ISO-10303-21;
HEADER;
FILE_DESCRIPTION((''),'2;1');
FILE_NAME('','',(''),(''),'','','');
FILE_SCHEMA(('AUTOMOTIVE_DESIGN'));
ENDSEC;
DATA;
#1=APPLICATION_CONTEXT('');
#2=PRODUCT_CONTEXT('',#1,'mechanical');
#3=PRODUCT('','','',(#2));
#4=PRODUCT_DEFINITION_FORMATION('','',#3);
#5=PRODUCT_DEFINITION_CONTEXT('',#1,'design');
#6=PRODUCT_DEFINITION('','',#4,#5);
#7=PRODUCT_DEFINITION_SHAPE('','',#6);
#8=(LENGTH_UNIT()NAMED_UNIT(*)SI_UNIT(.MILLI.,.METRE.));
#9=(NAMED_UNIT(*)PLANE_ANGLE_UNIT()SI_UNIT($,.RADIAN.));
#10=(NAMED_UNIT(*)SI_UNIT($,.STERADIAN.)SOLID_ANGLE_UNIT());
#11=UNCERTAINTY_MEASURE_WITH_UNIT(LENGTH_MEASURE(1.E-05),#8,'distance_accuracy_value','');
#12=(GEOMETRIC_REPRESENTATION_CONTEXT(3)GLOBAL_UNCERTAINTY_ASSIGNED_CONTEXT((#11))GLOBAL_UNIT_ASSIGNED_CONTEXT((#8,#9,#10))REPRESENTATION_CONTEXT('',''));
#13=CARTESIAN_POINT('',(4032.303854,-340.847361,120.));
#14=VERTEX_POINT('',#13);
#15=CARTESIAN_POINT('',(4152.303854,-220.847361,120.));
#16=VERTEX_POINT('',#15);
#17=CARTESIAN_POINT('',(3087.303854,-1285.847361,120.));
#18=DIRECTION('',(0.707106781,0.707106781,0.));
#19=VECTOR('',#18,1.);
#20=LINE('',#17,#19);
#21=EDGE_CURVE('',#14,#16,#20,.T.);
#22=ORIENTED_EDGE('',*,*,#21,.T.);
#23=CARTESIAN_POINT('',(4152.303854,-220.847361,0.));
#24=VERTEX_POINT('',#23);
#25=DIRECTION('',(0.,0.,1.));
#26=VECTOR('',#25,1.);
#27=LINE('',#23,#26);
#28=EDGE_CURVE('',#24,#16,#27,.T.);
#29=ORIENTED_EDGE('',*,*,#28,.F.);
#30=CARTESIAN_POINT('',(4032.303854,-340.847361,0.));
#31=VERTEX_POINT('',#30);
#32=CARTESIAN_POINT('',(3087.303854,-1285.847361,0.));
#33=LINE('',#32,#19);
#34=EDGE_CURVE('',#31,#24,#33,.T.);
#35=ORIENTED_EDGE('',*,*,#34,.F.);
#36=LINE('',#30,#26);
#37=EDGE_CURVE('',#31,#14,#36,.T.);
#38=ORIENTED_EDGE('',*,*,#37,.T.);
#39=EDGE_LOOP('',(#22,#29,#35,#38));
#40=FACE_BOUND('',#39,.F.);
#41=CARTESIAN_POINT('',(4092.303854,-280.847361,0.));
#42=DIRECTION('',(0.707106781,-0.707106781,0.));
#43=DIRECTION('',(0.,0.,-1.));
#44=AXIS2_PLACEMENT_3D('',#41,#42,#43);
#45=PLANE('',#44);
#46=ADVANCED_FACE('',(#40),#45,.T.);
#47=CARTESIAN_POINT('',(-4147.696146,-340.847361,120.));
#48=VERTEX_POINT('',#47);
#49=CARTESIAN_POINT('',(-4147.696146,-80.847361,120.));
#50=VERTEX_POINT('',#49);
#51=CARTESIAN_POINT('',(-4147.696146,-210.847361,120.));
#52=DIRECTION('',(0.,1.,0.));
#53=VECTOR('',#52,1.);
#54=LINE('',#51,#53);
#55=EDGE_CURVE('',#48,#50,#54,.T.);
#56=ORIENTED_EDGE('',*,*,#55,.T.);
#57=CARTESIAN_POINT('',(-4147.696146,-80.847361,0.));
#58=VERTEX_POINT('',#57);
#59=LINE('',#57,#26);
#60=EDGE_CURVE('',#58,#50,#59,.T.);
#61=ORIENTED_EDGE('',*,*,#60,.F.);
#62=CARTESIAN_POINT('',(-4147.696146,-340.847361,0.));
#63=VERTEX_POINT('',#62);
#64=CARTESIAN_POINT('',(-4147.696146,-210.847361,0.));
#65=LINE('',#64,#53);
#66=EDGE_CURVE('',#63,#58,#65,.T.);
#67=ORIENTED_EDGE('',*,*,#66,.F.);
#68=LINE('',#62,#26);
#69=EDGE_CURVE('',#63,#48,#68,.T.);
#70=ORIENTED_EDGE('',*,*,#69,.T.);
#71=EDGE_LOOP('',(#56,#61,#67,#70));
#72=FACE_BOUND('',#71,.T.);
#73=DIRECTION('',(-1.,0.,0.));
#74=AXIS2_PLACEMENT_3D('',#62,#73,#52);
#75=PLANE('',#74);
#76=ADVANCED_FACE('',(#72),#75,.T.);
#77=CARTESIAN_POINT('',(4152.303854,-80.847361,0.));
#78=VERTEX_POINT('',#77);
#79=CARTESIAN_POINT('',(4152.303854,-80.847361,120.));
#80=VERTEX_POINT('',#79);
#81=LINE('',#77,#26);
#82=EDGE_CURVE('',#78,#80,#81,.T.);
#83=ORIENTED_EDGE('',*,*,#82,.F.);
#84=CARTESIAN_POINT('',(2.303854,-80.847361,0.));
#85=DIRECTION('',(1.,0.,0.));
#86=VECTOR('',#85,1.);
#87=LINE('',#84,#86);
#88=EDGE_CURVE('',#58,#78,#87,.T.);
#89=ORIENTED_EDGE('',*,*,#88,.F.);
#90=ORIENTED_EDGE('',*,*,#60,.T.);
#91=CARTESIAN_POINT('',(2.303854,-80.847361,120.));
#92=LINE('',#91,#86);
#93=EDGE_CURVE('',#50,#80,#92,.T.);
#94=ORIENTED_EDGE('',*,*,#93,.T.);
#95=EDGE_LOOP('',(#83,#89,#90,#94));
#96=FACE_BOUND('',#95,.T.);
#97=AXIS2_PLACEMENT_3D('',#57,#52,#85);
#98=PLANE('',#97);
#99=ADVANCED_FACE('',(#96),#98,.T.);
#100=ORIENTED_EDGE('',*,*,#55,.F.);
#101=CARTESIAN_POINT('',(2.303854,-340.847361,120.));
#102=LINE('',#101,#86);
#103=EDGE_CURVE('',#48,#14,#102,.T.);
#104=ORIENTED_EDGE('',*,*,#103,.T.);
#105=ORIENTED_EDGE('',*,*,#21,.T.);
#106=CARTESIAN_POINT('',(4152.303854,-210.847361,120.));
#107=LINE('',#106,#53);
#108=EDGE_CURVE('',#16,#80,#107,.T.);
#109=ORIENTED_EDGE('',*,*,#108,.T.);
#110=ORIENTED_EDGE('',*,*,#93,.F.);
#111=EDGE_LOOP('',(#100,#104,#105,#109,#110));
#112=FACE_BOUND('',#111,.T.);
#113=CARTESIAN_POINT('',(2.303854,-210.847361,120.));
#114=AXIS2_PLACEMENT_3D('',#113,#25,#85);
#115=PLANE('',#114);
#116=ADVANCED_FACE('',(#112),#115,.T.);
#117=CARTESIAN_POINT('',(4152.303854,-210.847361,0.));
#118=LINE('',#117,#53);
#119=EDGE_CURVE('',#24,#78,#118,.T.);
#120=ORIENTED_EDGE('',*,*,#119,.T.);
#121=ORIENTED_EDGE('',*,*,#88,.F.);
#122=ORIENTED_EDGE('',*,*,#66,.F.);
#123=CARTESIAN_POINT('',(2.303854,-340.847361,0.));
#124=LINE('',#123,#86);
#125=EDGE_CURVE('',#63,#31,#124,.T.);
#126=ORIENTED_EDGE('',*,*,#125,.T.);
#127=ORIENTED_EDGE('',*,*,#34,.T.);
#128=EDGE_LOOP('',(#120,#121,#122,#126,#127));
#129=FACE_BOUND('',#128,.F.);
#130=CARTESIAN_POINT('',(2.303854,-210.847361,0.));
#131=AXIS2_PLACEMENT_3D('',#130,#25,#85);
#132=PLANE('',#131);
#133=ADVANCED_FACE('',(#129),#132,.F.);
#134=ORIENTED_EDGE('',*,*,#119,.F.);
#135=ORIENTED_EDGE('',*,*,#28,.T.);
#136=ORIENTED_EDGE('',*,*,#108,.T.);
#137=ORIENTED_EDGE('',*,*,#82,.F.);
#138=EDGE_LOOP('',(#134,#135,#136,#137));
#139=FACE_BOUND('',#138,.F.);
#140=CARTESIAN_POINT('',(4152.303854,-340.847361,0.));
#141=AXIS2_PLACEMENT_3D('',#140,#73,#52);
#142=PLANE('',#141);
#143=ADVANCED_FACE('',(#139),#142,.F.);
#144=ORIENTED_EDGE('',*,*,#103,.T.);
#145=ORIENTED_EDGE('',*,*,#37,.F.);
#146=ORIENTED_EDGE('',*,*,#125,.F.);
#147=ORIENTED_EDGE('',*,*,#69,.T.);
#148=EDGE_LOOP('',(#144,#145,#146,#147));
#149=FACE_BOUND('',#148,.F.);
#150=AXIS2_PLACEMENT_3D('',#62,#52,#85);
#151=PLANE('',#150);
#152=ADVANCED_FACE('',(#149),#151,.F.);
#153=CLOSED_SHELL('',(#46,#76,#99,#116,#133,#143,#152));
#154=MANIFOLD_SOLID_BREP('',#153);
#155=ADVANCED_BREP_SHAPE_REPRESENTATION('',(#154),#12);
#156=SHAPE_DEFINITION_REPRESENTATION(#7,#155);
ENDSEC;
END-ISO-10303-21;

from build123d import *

# Parameters (mm, degrees)
F0_W     = 8300
F0_H     = 260
F1_DEPTH = 120
F2_SIZE2 = 120
F2_SIZE  = 120


with BuildPart() as f1:
    # F0 (on Top) → F1 (new body)
    with BuildSketch(Plane.XY):
        with Locations((2.303854, -210.847361)):
            Rectangle(F0_W, F0_H)
    extrude(amount=F1_DEPTH)

    # F2
    f2_edges = [f1.edges().sort_by_distance(p)[0] for p in [
        (4152.303854, -340.847361, 60),
    ]]
    chamfer(f2_edges, length=F2_SIZE, length2=F2_SIZE2)


solid = f1.part
